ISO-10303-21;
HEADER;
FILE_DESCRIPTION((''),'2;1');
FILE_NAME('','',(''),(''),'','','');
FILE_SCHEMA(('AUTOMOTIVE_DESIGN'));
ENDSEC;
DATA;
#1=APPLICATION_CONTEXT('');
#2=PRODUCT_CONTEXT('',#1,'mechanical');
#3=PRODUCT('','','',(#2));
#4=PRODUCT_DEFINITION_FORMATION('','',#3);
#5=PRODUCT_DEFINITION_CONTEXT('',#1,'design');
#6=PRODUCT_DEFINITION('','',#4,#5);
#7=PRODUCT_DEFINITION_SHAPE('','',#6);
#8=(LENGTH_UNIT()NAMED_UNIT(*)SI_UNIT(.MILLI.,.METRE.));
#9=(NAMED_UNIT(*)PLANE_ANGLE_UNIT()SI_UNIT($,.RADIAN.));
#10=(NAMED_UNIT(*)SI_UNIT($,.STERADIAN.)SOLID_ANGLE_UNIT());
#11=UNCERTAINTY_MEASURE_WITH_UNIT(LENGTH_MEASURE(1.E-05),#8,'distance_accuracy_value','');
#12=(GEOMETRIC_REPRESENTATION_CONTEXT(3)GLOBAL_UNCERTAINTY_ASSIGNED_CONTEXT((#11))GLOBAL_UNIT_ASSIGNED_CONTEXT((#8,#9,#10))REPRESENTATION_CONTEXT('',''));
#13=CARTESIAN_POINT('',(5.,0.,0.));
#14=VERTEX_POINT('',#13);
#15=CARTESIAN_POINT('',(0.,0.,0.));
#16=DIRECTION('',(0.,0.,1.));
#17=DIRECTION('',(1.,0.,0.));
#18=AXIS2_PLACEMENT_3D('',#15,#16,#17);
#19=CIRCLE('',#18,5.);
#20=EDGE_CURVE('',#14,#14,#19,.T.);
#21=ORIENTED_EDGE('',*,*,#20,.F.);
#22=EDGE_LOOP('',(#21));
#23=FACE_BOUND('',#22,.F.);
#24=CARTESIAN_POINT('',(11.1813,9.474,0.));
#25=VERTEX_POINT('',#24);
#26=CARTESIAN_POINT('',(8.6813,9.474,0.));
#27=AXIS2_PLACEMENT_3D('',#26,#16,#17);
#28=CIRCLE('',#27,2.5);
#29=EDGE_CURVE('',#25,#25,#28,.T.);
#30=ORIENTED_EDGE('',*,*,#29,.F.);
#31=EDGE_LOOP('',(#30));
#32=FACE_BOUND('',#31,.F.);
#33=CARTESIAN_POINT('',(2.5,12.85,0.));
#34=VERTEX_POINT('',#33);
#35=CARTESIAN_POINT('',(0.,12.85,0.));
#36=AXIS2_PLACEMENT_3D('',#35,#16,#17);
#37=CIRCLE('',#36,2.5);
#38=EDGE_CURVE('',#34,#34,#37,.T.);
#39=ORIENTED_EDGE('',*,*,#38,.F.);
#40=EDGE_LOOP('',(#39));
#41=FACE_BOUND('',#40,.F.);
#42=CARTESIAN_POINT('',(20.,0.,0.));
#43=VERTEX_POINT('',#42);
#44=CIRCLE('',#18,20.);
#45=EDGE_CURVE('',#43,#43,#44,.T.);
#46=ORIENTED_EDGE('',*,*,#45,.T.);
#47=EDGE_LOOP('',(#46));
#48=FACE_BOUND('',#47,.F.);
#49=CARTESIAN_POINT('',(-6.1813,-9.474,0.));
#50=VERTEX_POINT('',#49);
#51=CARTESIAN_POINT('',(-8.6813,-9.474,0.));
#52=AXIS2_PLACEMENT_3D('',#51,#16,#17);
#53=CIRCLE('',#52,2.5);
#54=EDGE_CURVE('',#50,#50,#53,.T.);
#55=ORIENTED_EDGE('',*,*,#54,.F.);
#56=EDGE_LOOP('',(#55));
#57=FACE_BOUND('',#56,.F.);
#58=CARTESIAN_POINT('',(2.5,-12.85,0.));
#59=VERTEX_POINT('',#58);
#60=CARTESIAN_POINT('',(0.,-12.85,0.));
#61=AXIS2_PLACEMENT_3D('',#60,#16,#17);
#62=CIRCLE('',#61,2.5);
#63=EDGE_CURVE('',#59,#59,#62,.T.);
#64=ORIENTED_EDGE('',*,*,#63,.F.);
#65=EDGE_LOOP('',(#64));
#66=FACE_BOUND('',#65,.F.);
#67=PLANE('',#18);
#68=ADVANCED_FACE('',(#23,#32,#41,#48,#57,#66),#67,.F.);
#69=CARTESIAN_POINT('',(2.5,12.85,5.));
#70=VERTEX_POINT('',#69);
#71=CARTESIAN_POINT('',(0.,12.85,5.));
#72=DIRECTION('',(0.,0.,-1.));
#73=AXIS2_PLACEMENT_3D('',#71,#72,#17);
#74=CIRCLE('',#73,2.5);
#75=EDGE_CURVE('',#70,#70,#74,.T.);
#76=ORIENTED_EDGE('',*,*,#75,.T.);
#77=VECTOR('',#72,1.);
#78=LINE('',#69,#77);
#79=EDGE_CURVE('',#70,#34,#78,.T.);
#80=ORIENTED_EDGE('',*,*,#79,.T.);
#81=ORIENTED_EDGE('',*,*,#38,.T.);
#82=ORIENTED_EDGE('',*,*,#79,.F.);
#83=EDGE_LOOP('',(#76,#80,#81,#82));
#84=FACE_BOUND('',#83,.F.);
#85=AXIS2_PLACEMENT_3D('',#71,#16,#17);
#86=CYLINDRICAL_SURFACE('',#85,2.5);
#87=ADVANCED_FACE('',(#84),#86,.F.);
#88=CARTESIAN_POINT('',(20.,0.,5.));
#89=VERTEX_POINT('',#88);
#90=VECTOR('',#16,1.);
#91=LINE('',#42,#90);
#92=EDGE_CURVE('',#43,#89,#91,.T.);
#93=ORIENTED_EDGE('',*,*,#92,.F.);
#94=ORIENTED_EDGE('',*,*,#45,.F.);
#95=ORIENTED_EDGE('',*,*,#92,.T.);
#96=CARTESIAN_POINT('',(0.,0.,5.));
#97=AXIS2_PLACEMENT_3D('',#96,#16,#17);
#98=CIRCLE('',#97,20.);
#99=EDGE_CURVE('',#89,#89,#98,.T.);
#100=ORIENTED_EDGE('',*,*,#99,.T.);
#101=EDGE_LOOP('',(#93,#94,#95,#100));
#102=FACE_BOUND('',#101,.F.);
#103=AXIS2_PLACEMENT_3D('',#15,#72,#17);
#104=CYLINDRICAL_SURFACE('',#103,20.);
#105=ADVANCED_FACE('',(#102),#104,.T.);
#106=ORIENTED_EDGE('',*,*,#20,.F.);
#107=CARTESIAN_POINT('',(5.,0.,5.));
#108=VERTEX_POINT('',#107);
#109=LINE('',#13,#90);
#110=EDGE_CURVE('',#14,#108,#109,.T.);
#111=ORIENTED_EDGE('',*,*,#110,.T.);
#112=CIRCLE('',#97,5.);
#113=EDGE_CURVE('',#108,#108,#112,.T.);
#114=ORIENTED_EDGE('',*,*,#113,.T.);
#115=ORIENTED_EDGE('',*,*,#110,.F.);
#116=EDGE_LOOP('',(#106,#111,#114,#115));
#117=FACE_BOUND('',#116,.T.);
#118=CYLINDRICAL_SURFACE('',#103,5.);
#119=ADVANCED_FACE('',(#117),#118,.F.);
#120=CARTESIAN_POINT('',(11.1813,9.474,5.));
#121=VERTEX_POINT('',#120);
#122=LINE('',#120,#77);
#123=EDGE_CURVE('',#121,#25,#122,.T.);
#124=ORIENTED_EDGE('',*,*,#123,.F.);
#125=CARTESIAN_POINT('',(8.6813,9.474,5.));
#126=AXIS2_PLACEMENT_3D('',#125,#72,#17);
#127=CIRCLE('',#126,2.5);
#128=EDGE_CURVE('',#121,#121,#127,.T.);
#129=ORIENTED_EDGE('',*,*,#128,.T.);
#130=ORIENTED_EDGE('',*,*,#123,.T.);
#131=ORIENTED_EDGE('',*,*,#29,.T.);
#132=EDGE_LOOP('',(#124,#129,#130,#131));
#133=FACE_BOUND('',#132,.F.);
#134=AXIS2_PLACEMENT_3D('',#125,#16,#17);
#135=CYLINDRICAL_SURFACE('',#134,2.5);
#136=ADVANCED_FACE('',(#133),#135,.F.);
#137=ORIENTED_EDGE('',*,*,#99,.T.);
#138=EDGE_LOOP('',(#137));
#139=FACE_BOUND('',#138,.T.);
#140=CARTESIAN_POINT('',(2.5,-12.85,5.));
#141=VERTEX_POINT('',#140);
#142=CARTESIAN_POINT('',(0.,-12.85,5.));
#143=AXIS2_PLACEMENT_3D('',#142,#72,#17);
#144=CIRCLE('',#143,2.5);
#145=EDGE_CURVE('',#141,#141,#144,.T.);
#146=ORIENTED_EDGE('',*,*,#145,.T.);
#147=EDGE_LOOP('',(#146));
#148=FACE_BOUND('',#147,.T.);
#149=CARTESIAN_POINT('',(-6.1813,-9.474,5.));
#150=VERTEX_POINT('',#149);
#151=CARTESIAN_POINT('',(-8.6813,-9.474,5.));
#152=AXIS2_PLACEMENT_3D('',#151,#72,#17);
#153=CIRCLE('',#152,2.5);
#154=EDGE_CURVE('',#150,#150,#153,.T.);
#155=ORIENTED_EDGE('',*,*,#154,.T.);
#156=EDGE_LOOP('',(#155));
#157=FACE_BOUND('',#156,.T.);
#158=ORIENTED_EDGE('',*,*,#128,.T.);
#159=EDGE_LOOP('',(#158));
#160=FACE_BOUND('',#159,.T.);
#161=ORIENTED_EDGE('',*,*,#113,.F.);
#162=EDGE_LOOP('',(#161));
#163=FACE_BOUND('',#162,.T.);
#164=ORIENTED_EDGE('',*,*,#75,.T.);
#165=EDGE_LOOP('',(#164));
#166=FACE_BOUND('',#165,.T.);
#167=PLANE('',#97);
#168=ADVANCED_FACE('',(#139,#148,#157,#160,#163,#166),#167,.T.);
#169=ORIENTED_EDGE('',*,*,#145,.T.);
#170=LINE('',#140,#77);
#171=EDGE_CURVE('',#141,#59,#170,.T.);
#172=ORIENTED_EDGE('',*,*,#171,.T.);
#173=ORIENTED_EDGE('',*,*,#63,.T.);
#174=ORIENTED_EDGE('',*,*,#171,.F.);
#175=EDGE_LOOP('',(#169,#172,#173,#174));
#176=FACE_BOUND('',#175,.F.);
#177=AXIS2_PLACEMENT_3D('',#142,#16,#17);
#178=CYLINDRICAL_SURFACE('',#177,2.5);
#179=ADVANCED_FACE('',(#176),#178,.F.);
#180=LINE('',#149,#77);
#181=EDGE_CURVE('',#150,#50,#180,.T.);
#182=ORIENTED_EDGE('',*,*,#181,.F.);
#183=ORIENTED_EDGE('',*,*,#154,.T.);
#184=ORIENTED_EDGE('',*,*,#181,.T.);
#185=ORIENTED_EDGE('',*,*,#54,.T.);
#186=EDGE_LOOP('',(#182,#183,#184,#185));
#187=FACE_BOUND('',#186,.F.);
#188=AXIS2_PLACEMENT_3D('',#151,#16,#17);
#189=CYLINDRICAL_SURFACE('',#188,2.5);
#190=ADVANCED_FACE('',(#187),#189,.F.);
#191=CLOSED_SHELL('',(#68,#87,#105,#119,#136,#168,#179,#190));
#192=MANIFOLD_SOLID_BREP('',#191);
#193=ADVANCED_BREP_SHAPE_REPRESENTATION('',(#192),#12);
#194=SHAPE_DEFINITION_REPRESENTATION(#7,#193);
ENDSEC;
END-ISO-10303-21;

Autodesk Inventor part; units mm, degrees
ref_plane "YZ Plane" through (0, 0, 0) normal (1, 0, 0) x (0, 1, 0)
ref_plane "XZ Plane" through (0, 0, 0) normal (0, 1, 0) x (-1, 0, 0)
ref_plane "XY Plane" through (0, 0, 0) normal (0, 0, 1) x (1, 0, 0)
sketch "Sketch1" plane through (0, 0, 0) normal (0, 0, 1) x (1, 0, 0)
  circle A0 centre (0, 0) radius 20
  circle A1 centre (0, 0) radius 5
  dimension "d0" = 40
  dimension "d1" = 10
extrude "Extrusion1" add sketch "Sketch1" along normal blind 5
sketch "Sketch2" plane through (0, 0, 5) normal (0, 0, 1) x (1, 0, 0)
  circle A0 centre (0, 0) radius 5 projected
  line L0 (0, 0) -> (0, 12.85)
  circle A1 centre (0, 12.85) radius 2.5
  line L1 (0, 0) -> (8.6813, 9.474)
  circle A2 centre (8.6813, 9.474) radius 2.5
  circle A3 centre (0, 0) radius 20 projected
  line L2 (0, 0) -> (-20, 0)
  line L3 (0, 0) -> (20, 0) construction
  line L4 (0, 0) -> (-8.6813, -9.474)
  line L5 (0, 0) -> (12.85, 0) construction
  circle A4 centre (-8.6813, -9.474) radius 2.5
  line L6 (0, 0) -> (0, -12.85)
  circle A5 centre (0, -12.85) radius 2.5
  dimension "d4" = 12.85
  dimension "d5" = 5
  dimension "d6" = 12.85
  dimension "d8" = 5
  dimension "d15" = 90
  dimension "d17" = 47.5
  dimension "d18" = 42.5
  dimension "d20" = 12.85
  dimension "d21" = 132.5
  dimension "d22" = 5
  dimension "d23" = 12.85
  dimension "d24" = 5
  dimension "d25" = 42.5
extrude "Extrusion2" cut sketch "Sketch2" against normal blind 5 contours A5 | A4 | A1 | A2
properties part number "dondurgec"
